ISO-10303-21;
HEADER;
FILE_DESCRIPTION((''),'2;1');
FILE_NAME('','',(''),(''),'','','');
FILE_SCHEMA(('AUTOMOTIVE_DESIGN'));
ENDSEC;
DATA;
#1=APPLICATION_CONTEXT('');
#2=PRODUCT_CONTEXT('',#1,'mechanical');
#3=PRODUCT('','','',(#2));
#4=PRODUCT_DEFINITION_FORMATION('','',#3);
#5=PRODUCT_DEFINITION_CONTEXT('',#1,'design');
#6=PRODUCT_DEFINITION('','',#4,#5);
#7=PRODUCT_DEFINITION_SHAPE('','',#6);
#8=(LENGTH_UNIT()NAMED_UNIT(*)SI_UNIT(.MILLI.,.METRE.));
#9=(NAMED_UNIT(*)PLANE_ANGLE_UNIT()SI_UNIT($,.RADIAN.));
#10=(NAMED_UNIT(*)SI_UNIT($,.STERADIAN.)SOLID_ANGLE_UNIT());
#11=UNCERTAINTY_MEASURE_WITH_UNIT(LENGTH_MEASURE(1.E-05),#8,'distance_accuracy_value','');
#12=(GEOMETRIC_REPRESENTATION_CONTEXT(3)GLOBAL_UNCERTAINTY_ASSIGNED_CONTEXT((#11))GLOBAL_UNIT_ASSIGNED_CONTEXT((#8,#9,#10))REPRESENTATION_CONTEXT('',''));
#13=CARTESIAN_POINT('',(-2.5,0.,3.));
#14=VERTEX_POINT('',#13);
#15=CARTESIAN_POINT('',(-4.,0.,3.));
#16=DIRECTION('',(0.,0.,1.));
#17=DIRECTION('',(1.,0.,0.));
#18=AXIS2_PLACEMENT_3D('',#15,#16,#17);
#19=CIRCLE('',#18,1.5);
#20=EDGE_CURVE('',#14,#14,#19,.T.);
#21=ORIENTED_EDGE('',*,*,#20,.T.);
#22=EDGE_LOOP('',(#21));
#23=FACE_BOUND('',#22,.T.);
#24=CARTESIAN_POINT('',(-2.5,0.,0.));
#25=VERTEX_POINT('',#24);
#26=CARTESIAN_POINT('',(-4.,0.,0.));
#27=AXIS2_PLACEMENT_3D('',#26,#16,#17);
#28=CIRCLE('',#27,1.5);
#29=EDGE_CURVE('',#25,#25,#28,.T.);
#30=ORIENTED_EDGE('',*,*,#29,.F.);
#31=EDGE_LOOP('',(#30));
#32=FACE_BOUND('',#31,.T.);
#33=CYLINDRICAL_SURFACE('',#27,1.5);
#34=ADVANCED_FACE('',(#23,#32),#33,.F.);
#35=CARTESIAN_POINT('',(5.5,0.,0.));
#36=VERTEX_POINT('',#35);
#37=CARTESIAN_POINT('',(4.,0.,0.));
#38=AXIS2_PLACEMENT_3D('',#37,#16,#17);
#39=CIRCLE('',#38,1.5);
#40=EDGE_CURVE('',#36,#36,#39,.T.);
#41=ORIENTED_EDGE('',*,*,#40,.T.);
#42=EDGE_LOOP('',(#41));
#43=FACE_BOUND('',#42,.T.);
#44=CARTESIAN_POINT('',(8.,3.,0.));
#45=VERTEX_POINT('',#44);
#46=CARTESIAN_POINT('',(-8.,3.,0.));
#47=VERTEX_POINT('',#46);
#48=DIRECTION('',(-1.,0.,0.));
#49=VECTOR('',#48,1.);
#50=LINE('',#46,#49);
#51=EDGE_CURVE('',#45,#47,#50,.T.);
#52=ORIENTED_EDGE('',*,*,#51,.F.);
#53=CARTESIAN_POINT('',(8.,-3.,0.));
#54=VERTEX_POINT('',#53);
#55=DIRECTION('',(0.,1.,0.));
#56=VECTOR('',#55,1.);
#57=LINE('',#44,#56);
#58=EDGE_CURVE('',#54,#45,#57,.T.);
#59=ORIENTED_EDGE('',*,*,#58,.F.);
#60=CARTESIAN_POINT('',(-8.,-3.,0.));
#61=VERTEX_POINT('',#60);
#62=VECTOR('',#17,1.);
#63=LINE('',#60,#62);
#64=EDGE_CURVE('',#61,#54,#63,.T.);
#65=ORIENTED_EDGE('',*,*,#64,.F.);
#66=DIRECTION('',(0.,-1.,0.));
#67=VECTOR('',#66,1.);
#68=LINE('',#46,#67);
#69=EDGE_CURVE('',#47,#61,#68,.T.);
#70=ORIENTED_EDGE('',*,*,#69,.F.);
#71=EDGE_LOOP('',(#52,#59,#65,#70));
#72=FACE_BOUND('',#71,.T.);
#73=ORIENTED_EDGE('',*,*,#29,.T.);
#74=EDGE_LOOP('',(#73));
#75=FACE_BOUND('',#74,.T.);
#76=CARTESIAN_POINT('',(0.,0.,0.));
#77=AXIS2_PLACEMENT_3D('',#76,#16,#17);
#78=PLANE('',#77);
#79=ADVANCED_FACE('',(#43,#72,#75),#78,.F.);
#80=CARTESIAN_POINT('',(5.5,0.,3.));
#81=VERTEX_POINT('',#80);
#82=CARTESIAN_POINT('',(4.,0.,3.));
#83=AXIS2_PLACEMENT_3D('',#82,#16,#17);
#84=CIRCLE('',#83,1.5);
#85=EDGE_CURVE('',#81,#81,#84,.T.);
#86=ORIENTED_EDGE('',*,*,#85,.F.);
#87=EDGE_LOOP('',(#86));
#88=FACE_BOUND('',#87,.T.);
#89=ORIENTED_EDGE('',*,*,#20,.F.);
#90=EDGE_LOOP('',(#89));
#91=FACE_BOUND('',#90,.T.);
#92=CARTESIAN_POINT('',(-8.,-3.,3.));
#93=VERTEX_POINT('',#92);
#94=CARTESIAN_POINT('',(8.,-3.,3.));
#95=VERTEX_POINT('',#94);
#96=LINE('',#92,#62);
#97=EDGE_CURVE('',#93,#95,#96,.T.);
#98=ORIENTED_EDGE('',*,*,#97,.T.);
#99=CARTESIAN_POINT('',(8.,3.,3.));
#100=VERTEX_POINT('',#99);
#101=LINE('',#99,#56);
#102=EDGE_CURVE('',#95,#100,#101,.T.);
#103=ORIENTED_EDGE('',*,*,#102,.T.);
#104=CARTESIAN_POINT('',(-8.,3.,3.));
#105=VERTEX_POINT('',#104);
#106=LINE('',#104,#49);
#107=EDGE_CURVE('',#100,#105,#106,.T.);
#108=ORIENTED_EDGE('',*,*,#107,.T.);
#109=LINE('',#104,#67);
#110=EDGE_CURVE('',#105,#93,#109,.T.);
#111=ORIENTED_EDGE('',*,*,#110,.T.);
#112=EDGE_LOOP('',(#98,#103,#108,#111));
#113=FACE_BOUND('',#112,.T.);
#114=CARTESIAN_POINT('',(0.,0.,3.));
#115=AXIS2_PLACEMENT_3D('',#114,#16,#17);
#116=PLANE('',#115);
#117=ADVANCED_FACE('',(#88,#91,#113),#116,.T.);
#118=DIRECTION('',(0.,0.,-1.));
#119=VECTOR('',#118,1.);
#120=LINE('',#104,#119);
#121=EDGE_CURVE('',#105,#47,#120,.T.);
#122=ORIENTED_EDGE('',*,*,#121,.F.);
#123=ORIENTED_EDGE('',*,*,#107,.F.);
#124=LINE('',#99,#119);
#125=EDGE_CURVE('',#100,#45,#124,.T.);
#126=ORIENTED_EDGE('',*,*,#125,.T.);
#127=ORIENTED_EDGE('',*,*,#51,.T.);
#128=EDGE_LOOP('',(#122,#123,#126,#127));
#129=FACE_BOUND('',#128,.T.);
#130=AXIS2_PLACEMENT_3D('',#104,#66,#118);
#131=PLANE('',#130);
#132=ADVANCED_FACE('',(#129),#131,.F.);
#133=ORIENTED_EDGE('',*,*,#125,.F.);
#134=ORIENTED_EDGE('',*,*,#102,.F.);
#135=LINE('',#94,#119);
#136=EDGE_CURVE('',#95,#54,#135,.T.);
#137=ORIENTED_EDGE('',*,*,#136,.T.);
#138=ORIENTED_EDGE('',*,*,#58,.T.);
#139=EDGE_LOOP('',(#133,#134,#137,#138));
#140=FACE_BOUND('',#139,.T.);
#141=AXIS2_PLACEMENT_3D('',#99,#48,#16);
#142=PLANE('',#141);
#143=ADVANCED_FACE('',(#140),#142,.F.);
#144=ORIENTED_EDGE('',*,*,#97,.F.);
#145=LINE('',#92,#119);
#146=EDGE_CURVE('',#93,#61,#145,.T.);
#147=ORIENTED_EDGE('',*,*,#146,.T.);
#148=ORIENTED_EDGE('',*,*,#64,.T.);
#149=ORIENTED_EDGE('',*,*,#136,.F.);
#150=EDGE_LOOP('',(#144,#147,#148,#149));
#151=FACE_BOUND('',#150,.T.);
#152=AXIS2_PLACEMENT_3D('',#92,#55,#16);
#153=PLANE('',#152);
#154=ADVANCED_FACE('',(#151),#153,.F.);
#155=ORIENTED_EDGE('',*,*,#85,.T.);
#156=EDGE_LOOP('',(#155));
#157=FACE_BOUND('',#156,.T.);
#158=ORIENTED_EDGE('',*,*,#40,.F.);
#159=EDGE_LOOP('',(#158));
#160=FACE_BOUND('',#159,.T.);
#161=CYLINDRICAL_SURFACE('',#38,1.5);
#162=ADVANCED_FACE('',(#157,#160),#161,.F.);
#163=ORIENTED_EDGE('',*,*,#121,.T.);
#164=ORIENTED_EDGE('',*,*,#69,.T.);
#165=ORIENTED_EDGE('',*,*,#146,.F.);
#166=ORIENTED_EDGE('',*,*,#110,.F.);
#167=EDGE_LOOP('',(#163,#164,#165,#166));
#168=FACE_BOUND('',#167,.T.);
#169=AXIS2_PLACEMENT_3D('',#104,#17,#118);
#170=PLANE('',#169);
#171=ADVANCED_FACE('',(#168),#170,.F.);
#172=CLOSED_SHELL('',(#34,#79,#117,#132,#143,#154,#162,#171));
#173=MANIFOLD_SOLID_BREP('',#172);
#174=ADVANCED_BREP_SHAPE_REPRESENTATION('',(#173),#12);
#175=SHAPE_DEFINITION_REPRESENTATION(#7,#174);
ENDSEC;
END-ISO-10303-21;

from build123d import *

# Parameters (mm, degrees)
SKETCH_1_W          = 16
SKETCH_1_H          = 6
EXTRUDE_1_DEPTH     = 3
SKETCH_2_R          = 1.5
CUT_EXTRUDE_1_DEPTH = 3


with BuildPart() as part:
    # ｽｹｯﾁ1 → ﾎﾞｽ - 押し出し1 (new body)
    with BuildSketch(Plane.XY):
        Rectangle(SKETCH_1_W, SKETCH_1_H)
    extrude(amount=EXTRUDE_1_DEPTH)

    # ｽｹｯﾁ2 → ｶｯﾄ - 押し出し1 (cut)
    with BuildSketch(Plane.XY.offset(3)):
        with Locations((-4, 0)):
            Circle(SKETCH_2_R)
        with Locations((4, 0)):
            Circle(SKETCH_2_R)
    extrude(amount=-CUT_EXTRUDE_1_DEPTH, mode=Mode.SUBTRACT)


solid = part.part
